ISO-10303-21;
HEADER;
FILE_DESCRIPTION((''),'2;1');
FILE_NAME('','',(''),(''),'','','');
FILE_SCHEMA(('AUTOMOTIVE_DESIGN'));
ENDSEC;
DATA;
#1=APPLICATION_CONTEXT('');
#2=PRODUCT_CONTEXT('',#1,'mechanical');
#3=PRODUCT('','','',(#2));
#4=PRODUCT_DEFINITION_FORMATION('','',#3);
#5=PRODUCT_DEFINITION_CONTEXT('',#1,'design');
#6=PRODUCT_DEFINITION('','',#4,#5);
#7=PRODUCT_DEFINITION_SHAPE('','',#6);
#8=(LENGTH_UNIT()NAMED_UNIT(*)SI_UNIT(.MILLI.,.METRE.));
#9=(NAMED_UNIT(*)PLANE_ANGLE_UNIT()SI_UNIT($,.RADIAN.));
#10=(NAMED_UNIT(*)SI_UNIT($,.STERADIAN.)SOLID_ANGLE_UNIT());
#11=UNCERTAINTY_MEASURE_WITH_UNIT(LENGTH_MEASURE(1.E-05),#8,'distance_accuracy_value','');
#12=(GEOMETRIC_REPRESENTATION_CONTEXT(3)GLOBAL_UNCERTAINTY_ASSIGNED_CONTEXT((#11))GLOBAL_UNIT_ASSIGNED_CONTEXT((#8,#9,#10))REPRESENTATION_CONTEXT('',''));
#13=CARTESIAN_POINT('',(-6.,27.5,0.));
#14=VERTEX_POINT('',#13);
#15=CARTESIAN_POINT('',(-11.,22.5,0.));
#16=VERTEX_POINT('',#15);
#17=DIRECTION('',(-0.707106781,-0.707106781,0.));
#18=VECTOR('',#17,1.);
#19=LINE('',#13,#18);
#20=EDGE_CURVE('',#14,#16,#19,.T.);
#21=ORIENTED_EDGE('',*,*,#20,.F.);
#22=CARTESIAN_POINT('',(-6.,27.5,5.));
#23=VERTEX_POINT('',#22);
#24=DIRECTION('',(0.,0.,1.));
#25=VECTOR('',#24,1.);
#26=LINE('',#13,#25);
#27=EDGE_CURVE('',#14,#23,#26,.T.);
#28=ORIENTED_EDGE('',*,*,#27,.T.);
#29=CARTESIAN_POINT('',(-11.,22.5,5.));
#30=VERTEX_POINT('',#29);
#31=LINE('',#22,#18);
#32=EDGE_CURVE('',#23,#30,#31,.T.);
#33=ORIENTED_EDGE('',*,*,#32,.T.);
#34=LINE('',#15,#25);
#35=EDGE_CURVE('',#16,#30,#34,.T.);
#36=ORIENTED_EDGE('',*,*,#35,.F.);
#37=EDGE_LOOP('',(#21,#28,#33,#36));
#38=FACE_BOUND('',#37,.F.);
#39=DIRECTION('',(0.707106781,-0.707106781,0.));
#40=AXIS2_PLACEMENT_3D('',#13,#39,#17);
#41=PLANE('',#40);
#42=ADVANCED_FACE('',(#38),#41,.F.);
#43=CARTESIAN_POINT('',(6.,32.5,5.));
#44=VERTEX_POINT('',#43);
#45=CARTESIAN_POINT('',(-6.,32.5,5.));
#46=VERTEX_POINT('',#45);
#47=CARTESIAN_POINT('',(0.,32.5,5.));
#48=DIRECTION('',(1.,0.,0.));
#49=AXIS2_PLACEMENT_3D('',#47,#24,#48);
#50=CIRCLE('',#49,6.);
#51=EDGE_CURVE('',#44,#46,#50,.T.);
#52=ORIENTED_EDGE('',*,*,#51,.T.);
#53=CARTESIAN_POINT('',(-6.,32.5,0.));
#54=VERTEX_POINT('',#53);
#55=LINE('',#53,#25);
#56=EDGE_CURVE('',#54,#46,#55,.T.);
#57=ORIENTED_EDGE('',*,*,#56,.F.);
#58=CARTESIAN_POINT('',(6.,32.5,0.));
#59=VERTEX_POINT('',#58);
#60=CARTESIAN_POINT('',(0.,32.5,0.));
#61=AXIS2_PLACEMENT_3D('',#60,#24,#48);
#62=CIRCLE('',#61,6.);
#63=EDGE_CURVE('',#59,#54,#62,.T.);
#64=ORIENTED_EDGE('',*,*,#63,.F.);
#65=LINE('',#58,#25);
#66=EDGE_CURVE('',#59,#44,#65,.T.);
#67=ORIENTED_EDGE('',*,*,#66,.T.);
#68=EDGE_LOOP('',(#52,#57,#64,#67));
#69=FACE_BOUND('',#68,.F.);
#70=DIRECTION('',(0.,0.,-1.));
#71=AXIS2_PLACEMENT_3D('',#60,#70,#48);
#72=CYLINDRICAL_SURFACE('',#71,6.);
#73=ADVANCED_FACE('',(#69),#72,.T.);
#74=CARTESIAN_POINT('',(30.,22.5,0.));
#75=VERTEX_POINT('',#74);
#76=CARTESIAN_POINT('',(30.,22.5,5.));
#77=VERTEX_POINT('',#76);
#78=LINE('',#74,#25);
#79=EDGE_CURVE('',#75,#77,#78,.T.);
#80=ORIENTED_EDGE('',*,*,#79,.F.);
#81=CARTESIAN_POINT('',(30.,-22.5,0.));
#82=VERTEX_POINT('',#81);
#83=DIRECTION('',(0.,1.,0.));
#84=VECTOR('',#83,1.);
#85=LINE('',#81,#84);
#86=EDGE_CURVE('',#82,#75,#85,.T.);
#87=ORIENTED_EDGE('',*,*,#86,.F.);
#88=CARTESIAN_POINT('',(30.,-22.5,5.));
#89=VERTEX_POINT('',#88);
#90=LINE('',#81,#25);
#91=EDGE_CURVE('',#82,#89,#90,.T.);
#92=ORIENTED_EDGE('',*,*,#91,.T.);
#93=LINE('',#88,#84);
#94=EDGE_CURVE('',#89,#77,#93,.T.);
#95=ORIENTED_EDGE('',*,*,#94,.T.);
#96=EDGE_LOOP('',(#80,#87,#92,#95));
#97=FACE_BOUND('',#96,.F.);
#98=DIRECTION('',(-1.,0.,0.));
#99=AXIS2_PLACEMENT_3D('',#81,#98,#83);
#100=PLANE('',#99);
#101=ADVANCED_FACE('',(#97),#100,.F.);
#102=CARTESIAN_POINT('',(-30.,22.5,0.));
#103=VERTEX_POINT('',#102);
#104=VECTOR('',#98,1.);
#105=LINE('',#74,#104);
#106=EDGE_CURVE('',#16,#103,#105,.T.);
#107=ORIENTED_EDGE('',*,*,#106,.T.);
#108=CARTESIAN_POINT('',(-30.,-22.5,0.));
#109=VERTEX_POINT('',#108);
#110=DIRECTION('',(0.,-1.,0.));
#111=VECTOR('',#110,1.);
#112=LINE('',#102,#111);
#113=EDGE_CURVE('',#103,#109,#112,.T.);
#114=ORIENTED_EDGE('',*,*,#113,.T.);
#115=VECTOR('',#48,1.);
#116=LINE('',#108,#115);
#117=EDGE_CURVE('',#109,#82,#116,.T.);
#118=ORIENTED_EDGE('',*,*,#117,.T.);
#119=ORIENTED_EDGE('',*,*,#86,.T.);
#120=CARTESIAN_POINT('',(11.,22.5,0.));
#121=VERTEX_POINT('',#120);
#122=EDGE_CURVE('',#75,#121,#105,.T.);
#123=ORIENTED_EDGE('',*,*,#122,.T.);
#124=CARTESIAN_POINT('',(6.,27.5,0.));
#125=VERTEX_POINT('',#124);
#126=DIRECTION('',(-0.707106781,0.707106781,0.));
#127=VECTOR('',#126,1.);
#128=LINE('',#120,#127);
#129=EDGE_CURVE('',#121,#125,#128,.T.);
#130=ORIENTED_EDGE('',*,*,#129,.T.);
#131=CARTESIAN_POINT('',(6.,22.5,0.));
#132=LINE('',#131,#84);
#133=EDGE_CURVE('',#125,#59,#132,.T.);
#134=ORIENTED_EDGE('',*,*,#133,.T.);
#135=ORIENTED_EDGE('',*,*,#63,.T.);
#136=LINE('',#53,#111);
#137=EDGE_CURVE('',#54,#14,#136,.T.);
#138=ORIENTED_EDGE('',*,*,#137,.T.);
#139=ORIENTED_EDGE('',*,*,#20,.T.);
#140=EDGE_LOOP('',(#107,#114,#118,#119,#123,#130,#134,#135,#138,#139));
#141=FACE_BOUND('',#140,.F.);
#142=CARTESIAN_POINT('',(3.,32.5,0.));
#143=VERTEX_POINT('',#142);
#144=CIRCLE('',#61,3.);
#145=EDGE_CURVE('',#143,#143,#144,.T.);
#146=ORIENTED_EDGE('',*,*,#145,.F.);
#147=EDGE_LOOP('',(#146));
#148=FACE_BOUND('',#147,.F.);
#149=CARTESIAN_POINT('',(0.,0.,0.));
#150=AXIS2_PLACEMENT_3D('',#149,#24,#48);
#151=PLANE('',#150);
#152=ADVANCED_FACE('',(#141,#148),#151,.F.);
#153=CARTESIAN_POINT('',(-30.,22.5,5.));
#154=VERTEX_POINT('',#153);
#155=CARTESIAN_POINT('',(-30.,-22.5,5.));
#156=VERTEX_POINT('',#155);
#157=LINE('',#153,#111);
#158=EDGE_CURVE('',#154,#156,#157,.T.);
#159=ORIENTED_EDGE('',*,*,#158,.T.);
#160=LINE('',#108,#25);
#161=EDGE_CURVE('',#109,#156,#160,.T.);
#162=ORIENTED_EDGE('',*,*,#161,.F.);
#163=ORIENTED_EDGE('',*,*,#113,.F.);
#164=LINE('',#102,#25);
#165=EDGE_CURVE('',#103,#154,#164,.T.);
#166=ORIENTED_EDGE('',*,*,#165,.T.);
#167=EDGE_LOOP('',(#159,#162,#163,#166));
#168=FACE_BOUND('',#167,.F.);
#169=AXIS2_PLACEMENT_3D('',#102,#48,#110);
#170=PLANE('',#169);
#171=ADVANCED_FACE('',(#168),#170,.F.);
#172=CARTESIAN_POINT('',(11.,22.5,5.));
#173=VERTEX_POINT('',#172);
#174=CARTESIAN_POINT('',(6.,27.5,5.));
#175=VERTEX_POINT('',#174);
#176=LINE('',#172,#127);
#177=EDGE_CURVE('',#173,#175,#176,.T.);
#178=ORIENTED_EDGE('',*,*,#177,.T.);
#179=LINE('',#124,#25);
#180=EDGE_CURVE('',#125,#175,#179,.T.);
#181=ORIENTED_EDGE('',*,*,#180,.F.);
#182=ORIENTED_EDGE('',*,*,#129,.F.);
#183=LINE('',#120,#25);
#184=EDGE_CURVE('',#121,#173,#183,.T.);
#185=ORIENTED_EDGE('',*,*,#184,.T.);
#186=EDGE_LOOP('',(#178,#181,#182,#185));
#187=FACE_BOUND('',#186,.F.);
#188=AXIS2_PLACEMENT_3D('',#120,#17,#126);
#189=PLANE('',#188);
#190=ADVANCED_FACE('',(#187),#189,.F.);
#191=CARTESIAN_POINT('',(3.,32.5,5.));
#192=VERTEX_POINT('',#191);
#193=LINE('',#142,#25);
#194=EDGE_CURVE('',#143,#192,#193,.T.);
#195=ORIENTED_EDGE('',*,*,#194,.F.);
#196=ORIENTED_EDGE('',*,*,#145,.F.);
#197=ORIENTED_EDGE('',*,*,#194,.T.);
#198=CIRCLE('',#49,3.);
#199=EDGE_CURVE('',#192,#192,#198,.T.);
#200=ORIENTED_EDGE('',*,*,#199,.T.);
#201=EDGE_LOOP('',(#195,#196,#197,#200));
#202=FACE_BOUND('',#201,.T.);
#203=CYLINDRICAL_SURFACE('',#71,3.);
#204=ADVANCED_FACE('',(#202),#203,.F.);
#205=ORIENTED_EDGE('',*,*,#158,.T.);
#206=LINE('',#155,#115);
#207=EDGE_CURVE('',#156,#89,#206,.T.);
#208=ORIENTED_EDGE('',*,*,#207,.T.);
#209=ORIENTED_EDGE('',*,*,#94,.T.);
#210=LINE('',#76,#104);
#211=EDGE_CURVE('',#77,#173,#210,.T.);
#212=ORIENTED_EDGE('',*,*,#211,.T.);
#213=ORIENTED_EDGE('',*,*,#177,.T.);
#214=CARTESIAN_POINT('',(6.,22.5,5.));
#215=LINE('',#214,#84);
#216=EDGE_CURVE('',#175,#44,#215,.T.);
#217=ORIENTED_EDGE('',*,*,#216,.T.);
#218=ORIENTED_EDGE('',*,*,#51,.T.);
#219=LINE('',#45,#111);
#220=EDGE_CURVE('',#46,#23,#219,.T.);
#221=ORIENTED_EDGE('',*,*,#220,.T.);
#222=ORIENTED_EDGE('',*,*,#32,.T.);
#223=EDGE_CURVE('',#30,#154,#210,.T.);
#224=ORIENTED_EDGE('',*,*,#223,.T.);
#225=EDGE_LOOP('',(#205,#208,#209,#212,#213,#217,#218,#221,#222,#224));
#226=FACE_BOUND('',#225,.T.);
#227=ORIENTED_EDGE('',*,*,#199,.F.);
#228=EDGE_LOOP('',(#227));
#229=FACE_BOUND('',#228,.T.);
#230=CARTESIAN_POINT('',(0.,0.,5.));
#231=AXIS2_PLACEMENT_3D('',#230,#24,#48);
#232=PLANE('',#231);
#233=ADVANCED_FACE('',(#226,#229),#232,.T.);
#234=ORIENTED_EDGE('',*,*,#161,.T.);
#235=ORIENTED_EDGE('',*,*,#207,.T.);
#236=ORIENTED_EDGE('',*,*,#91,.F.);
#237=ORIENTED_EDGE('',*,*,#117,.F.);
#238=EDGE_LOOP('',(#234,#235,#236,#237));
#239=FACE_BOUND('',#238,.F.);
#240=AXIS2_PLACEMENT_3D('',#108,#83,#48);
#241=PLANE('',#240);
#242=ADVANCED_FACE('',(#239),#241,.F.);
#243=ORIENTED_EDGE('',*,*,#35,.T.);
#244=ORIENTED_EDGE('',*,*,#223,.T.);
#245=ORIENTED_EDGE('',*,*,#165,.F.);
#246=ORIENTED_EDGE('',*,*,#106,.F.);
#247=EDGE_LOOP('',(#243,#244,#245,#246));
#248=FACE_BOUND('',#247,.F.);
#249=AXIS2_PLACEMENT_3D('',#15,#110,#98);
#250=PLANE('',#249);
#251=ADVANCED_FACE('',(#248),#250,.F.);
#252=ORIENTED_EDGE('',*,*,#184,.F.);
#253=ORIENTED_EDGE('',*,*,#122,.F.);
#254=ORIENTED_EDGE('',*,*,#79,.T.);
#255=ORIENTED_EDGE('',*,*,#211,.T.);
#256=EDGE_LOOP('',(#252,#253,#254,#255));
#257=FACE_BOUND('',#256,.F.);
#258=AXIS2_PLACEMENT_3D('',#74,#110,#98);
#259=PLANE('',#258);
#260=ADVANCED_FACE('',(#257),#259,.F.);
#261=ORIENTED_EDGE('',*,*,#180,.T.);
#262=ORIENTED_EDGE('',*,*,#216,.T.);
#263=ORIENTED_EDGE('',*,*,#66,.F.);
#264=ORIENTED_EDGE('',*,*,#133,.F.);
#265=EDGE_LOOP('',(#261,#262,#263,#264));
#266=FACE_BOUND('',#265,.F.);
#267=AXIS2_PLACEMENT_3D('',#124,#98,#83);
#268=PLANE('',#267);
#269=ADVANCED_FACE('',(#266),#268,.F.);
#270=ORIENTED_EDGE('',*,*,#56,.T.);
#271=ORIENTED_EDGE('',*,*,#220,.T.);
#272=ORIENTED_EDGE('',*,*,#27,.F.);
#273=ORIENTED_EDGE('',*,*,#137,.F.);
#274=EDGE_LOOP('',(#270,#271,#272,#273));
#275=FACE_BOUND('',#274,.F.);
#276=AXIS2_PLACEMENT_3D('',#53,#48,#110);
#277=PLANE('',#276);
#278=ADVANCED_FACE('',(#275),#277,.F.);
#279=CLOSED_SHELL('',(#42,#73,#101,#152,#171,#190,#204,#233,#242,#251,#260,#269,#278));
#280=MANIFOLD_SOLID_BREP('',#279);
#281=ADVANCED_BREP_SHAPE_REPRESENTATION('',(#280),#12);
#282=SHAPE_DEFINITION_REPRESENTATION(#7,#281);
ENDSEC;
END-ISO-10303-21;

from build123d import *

# Parameters (mm, degrees)
F0_R     = 3
F1_DEPTH = 5


with BuildPart() as f1:
    # F0 (on Top) → F1 (new body)
    with BuildSketch(Plane.XY):
        Polygon((30, -22.5), (30, 22.5), (11, 22.5), (6, 22.5), (-6, 22.5), (-11, 22.5), (-30, 22.5), (-30, -22.5), align=None)
        Polygon((-11, 22.5), (-6, 22.5), (-6, 27.5), align=None)
        with BuildLine():
            Line((-6, 22.5), (6, 22.5))
            Line((6, 22.5), (6, 27.5))
            Line((6, 27.5), (6, 32.5))
            ThreePointArc((6, 32.5), (0, 38.5), (-6, 32.5))
            Line((-6, 32.5), (-6, 27.5))
            Line((-6, 27.5), (-6, 22.5))
        make_face()
        with Locations((0, 32.5)):
            Circle(F0_R, mode=Mode.SUBTRACT)
        Polygon((6, 22.5), (11, 22.5), (6, 27.5), align=None)
    extrude(amount=F1_DEPTH)


solid = f1.part
